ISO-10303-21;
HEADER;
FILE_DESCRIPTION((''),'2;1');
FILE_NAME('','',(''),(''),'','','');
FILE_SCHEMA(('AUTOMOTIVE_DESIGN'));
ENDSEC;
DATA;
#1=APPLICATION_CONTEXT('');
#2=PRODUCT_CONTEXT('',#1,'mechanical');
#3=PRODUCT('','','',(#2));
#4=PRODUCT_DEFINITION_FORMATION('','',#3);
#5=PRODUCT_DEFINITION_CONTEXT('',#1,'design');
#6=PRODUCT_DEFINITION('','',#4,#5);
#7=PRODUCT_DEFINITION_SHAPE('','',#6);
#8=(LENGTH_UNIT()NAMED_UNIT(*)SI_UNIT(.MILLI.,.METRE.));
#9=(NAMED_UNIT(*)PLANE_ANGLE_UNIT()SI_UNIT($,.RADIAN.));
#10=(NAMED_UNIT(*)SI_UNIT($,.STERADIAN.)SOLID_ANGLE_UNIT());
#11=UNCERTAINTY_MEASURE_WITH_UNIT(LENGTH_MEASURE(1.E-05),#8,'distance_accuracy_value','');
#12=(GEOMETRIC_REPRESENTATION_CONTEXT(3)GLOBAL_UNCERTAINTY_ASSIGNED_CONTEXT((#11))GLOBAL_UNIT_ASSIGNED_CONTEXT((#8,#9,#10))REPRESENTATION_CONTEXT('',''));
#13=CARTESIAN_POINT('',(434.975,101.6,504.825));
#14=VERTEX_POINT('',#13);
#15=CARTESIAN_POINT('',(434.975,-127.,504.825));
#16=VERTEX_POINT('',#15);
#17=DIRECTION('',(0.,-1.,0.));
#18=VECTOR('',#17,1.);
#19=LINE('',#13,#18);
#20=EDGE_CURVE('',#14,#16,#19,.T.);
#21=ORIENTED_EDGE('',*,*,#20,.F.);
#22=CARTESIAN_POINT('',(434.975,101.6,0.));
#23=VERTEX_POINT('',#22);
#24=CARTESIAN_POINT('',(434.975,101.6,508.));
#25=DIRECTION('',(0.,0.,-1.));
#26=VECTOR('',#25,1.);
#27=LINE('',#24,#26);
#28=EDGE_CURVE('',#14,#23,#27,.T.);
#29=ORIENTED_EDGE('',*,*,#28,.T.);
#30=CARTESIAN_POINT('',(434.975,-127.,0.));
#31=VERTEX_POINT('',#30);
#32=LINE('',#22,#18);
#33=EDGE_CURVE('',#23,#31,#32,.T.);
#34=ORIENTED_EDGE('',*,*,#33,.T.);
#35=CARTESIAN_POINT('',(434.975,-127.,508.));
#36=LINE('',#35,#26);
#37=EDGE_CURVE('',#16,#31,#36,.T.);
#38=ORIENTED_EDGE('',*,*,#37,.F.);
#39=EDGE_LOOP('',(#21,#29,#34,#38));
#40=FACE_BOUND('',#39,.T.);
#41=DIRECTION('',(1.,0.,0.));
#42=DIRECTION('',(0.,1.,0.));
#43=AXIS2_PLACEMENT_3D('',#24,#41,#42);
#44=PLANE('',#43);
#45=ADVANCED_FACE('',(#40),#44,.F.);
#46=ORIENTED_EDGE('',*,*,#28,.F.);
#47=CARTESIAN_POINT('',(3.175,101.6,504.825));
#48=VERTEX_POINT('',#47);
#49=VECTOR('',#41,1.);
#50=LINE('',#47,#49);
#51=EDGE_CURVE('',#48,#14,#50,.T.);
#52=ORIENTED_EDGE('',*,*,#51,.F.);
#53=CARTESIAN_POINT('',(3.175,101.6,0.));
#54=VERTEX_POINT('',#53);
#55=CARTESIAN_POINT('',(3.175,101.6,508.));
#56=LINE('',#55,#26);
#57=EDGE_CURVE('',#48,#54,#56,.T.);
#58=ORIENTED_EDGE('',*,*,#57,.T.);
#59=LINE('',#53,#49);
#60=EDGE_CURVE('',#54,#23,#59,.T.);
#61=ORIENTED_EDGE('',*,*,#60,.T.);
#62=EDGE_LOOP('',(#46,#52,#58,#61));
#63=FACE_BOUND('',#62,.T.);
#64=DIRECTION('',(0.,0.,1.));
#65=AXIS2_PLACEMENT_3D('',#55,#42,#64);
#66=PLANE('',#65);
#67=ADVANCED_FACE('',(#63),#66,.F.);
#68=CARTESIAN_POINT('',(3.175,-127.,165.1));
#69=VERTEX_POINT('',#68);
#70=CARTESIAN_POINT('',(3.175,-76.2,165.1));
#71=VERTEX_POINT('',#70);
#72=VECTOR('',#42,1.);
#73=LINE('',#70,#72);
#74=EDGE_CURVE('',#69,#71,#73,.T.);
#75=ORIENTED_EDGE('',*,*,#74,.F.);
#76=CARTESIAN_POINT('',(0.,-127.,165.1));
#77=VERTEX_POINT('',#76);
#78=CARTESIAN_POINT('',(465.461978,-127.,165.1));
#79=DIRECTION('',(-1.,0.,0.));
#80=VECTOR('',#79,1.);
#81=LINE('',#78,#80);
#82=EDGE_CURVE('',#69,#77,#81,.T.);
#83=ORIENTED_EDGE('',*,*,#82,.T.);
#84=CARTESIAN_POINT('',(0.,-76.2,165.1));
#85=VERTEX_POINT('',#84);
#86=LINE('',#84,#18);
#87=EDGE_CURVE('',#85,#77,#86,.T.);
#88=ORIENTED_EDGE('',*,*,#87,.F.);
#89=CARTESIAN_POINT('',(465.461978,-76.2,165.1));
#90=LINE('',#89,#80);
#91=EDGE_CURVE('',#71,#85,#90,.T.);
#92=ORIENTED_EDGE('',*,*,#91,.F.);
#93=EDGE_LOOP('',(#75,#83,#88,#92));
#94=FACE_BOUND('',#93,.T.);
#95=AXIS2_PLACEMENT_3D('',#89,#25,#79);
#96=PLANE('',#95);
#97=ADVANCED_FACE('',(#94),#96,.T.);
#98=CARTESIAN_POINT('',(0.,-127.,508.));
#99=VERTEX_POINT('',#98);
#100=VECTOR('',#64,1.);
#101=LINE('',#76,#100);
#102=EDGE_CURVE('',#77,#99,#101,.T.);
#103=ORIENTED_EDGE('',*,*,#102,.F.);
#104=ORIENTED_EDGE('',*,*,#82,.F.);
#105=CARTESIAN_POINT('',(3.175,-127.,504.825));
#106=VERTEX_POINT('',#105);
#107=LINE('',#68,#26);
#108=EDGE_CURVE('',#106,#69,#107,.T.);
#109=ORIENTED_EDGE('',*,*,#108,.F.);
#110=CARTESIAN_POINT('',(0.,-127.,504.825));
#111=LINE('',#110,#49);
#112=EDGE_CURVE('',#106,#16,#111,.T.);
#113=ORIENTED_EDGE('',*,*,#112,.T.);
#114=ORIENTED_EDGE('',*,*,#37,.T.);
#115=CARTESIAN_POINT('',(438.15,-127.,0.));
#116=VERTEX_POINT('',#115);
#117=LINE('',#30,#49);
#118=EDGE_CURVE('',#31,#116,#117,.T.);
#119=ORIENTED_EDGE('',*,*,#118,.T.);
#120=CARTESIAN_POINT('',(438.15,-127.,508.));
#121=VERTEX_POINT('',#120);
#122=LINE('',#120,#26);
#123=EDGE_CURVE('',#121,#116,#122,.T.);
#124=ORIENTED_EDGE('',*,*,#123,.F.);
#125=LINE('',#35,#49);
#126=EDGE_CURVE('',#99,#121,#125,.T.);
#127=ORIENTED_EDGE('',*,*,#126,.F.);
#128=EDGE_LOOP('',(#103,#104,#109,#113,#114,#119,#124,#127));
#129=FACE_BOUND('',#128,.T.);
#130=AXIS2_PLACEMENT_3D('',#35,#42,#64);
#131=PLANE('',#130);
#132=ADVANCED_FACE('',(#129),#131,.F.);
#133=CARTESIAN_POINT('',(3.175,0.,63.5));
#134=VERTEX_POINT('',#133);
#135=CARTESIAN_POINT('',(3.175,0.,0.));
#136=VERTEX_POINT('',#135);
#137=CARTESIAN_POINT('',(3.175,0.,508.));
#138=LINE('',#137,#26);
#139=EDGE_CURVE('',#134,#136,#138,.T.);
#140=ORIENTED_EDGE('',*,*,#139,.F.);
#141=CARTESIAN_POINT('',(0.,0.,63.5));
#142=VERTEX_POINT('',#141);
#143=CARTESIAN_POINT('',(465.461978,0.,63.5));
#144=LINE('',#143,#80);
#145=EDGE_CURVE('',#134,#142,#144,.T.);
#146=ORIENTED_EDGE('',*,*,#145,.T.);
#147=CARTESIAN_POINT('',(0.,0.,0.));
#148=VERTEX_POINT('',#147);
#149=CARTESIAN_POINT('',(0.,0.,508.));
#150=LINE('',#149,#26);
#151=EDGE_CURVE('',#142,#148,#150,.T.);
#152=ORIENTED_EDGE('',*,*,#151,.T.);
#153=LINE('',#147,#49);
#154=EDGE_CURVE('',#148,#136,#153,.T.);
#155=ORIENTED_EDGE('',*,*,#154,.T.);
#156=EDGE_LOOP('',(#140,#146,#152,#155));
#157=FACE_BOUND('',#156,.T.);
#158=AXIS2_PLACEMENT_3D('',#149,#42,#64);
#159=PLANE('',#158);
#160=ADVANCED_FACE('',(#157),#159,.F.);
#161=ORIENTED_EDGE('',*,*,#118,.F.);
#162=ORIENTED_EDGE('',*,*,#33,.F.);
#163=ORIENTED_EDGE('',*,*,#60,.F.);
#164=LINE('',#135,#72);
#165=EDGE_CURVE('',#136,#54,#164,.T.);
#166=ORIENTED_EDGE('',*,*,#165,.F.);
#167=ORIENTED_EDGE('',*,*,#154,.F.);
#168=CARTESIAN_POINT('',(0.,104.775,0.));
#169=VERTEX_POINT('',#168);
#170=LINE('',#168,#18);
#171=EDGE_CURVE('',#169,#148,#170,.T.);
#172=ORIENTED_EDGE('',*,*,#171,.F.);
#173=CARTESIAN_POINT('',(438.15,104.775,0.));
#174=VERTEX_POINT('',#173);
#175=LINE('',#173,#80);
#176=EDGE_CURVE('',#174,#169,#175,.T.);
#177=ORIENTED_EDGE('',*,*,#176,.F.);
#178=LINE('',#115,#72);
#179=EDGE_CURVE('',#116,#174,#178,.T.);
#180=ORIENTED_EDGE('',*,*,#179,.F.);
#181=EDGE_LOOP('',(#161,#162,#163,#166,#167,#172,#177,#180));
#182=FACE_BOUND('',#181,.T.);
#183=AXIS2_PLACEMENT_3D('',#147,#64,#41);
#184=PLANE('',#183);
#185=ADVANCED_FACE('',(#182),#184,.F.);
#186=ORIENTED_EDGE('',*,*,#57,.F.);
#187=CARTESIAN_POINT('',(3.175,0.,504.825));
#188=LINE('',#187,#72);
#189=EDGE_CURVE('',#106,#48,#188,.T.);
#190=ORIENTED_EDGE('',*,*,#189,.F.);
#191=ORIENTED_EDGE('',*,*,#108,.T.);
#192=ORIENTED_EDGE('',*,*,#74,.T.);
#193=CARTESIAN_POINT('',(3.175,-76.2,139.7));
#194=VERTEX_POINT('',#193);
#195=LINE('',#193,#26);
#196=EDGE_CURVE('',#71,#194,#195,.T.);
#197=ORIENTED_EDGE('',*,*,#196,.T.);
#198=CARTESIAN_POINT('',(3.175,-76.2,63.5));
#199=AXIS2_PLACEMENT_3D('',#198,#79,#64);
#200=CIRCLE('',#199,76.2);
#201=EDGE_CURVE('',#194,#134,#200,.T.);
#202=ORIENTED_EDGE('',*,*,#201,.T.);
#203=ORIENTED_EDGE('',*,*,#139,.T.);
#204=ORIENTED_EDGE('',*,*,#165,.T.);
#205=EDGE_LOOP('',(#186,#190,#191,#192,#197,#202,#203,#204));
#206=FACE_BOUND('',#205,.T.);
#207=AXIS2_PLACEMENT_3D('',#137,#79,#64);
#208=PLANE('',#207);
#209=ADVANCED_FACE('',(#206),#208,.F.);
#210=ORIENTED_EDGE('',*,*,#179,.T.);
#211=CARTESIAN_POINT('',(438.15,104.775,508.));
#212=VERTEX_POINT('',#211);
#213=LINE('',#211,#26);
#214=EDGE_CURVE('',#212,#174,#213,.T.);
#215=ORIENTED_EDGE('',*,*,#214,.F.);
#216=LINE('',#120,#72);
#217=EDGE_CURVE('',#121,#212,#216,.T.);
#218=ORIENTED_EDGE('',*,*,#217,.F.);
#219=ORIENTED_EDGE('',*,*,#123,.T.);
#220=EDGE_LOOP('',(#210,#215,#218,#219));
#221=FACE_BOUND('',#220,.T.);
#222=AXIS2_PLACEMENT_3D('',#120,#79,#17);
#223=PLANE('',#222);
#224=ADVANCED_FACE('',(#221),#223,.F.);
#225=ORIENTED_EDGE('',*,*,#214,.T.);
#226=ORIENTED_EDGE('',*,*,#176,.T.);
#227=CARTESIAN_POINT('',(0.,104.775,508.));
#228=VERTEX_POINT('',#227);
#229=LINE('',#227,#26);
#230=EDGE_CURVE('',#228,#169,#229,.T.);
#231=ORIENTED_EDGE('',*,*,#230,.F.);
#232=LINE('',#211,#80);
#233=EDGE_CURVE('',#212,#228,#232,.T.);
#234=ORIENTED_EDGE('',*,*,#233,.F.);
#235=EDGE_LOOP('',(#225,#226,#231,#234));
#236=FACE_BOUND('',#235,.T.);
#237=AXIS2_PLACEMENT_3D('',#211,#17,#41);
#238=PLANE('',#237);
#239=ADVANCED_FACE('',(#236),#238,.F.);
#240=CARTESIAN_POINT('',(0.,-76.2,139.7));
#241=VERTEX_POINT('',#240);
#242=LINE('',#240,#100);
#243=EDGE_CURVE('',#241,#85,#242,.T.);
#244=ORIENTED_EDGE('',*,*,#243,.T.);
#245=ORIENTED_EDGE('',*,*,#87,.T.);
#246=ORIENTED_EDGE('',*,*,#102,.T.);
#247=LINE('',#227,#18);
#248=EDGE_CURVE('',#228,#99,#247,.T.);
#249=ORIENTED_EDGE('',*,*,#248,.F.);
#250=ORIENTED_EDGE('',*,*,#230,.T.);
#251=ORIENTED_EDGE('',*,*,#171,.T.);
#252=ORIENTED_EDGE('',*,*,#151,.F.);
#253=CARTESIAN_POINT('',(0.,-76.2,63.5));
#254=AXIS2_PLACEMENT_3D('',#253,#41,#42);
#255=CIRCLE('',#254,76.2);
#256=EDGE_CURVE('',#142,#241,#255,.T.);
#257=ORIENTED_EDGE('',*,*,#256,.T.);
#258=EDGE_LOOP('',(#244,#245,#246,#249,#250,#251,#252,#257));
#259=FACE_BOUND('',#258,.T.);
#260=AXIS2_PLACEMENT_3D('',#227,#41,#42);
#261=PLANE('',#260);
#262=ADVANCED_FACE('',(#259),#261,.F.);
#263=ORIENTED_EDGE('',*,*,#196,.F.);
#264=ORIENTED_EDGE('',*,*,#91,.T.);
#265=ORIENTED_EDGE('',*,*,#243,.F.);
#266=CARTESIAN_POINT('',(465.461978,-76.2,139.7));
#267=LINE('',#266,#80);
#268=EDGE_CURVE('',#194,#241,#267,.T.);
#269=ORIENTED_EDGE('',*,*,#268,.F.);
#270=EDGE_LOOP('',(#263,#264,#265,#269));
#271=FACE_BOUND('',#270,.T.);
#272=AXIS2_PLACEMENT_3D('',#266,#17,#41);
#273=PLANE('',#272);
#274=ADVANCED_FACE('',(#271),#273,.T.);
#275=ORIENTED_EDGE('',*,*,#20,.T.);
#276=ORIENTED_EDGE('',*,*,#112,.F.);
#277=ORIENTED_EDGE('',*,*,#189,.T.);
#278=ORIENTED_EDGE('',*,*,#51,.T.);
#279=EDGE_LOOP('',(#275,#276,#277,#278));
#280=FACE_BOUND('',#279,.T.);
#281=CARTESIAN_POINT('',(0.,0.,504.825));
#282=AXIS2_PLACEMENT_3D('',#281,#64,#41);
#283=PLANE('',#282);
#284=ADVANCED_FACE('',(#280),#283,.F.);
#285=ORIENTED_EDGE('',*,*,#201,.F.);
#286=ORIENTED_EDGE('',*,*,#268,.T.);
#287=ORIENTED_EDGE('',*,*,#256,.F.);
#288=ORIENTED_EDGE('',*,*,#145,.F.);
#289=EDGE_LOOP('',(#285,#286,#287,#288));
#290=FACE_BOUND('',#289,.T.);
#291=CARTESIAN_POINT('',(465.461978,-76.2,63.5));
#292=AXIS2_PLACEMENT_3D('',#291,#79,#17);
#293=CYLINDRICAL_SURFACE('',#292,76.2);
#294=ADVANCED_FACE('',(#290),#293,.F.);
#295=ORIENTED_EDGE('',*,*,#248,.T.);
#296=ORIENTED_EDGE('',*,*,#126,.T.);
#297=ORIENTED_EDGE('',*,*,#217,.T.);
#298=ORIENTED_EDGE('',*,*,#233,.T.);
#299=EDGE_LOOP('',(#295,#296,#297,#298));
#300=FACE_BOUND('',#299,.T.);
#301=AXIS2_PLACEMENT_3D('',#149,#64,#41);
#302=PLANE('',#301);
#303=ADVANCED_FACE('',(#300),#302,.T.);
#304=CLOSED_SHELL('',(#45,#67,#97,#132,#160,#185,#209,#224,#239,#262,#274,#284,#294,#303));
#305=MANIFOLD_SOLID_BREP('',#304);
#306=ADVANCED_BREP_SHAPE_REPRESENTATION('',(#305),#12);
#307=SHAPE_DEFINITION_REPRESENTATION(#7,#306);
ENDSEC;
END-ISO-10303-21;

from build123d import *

# Parameters (mm, degrees)
BOSS_EXTRUDE1_DEPTH = 508
BOSS_EXTRUDE2_DEPTH = 3.175
SKETCH3_W           = 438.15
SKETCH3_H           = 231.775
BOSS_EXTRUDE3_DEPTH = 3.175


with BuildPart() as part:
    # Sketch1 → Boss-Extrude1 (new body)
    with BuildSketch(Plane.XY):
        Polygon((0, 0), (3.175, 0), (3.175, 101.6), (434.975, 101.6), (434.975, -127), (438.15, -127), (438.15, 104.775), (0, 104.775), align=None)
    extrude(amount=BOSS_EXTRUDE1_DEPTH)

    # Sketch2 → Boss-Extrude2 (add)
    with BuildSketch(Plane.ZY):
        with BuildLine():
            Line((139.7, -76.2), (165.1, -76.2))
            Line((165.1, -76.2), (165.1, -127))
            Line((165.1, -127), (508, -127))
            Line((508, -127), (508, -76.2))
            Line((508, -76.2), (508, 0))
            Line((508, 0), (63.5, 0))
            ThreePointArc((63.5, 0), (117.381536726, -22.318463274), (139.7, -76.2))
        make_face()
    extrude(amount=-BOSS_EXTRUDE2_DEPTH)

    # Sketch3 → Boss-Extrude3 (add)
    with BuildSketch(Plane.XY.offset(508)):
        with Locations((219.075, -11.1125)):
            Rectangle(SKETCH3_W, SKETCH3_H)
    extrude(amount=-BOSS_EXTRUDE3_DEPTH)


solid = part.part
